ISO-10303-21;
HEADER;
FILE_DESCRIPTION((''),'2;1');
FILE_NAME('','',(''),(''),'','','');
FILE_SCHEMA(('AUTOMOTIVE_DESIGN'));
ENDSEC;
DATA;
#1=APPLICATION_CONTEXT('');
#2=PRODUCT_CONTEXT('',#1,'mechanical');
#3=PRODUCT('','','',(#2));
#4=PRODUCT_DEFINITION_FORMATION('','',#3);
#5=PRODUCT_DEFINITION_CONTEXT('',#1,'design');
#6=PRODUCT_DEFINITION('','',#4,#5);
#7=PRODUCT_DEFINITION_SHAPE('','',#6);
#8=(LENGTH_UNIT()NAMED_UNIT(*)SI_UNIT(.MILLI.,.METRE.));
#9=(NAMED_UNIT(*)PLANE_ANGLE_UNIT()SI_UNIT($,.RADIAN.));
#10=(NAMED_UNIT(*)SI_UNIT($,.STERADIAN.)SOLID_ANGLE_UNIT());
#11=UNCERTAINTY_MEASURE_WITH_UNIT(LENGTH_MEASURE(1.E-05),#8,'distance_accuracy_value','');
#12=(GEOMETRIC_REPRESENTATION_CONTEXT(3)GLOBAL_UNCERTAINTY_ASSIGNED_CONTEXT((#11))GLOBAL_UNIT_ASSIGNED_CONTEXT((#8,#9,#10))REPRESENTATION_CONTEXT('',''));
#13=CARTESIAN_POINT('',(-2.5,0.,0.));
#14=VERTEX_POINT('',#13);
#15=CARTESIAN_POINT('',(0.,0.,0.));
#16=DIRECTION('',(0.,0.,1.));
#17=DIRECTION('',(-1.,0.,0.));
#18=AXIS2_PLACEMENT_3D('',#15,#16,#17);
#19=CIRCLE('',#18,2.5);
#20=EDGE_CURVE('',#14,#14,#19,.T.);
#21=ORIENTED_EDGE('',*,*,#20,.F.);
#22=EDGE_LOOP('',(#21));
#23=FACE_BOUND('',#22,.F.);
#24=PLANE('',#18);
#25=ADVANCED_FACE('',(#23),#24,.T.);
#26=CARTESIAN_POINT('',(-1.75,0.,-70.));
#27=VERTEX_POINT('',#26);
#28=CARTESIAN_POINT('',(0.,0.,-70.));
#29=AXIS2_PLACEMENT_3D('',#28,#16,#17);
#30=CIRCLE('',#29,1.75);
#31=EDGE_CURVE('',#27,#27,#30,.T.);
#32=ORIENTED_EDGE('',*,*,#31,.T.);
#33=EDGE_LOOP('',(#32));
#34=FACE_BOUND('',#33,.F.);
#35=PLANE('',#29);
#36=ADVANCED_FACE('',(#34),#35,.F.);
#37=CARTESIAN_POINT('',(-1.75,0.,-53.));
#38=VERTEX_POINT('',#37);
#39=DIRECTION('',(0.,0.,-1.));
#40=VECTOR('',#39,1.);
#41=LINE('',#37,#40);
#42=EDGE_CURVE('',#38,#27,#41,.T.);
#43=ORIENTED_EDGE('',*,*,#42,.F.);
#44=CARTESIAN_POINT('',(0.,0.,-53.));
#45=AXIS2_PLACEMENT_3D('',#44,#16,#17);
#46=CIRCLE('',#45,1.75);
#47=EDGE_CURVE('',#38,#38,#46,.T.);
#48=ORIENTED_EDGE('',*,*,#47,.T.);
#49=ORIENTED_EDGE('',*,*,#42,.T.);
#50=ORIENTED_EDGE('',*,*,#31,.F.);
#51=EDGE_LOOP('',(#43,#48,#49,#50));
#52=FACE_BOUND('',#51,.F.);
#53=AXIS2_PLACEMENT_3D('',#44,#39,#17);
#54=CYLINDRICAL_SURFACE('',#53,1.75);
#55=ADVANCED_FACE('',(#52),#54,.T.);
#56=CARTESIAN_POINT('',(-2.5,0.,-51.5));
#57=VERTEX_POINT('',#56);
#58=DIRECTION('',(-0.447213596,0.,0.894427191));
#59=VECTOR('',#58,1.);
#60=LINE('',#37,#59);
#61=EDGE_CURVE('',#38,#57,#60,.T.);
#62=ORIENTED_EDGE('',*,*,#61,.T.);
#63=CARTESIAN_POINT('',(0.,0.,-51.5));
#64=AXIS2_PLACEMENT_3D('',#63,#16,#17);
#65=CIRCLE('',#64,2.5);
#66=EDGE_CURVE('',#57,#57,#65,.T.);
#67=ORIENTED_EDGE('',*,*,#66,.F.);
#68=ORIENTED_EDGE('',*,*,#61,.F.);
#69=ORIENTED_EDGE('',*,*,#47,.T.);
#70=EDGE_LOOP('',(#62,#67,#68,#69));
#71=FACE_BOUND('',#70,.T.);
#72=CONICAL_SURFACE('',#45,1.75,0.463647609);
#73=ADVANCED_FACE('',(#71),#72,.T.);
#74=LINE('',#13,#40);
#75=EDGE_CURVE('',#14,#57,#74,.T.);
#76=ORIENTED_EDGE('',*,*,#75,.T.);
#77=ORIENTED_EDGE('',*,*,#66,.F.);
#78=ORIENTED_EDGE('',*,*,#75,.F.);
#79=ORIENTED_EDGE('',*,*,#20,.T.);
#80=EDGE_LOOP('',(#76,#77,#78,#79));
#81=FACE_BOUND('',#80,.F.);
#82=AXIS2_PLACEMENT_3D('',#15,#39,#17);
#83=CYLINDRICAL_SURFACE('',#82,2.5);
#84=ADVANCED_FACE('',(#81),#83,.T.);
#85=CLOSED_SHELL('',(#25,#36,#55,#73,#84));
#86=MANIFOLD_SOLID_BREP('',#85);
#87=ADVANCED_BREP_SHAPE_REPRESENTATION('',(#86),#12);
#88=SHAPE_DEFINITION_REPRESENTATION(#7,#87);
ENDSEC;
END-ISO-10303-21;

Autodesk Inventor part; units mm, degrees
ref_plane "YZ Plane" through (0, 0, 0) normal (1, 0, 0) x (0, 1, 0)
ref_plane "XZ Plane" through (0, 0, 0) normal (0, 1, 0) x (-1, 0, 0)
ref_plane "XY Plane" through (0, 0, 0) normal (0, 0, 1) x (1, 0, 0)
sketch "スケッチ1" plane through (0, 0, 0) normal (0, 1, 0) x (-1, 0, 0)
  line L0 (0, 0) -> (2.5, 0)
  line L1 (2.5, 0) -> (2.5, -51.5)
  line L2 (1.75, -53) -> (2.5, -51.5)
  line L3 (1.75, -53) -> (1.75, -70)
  line L4 (1.75, -70) -> (0, -70)
  line L5 (0, -70) -> (0, 0)
  point P0 (1.75, -51.5)
  point P1 (1.75, -51.5)
  dimension "d0" = 2.5
  dimension "d1" = 51.5
  dimension "d2" = 0.75
  dimension "d3" = 1.5
  dimension "d4" = 17
revolve "回転1" add sketch "スケッチ1" angle 360 about axis through (0, 0, -70) along (0, 0, 1)
properties part number "SMC_CJ1KB10-45(円柱)"
